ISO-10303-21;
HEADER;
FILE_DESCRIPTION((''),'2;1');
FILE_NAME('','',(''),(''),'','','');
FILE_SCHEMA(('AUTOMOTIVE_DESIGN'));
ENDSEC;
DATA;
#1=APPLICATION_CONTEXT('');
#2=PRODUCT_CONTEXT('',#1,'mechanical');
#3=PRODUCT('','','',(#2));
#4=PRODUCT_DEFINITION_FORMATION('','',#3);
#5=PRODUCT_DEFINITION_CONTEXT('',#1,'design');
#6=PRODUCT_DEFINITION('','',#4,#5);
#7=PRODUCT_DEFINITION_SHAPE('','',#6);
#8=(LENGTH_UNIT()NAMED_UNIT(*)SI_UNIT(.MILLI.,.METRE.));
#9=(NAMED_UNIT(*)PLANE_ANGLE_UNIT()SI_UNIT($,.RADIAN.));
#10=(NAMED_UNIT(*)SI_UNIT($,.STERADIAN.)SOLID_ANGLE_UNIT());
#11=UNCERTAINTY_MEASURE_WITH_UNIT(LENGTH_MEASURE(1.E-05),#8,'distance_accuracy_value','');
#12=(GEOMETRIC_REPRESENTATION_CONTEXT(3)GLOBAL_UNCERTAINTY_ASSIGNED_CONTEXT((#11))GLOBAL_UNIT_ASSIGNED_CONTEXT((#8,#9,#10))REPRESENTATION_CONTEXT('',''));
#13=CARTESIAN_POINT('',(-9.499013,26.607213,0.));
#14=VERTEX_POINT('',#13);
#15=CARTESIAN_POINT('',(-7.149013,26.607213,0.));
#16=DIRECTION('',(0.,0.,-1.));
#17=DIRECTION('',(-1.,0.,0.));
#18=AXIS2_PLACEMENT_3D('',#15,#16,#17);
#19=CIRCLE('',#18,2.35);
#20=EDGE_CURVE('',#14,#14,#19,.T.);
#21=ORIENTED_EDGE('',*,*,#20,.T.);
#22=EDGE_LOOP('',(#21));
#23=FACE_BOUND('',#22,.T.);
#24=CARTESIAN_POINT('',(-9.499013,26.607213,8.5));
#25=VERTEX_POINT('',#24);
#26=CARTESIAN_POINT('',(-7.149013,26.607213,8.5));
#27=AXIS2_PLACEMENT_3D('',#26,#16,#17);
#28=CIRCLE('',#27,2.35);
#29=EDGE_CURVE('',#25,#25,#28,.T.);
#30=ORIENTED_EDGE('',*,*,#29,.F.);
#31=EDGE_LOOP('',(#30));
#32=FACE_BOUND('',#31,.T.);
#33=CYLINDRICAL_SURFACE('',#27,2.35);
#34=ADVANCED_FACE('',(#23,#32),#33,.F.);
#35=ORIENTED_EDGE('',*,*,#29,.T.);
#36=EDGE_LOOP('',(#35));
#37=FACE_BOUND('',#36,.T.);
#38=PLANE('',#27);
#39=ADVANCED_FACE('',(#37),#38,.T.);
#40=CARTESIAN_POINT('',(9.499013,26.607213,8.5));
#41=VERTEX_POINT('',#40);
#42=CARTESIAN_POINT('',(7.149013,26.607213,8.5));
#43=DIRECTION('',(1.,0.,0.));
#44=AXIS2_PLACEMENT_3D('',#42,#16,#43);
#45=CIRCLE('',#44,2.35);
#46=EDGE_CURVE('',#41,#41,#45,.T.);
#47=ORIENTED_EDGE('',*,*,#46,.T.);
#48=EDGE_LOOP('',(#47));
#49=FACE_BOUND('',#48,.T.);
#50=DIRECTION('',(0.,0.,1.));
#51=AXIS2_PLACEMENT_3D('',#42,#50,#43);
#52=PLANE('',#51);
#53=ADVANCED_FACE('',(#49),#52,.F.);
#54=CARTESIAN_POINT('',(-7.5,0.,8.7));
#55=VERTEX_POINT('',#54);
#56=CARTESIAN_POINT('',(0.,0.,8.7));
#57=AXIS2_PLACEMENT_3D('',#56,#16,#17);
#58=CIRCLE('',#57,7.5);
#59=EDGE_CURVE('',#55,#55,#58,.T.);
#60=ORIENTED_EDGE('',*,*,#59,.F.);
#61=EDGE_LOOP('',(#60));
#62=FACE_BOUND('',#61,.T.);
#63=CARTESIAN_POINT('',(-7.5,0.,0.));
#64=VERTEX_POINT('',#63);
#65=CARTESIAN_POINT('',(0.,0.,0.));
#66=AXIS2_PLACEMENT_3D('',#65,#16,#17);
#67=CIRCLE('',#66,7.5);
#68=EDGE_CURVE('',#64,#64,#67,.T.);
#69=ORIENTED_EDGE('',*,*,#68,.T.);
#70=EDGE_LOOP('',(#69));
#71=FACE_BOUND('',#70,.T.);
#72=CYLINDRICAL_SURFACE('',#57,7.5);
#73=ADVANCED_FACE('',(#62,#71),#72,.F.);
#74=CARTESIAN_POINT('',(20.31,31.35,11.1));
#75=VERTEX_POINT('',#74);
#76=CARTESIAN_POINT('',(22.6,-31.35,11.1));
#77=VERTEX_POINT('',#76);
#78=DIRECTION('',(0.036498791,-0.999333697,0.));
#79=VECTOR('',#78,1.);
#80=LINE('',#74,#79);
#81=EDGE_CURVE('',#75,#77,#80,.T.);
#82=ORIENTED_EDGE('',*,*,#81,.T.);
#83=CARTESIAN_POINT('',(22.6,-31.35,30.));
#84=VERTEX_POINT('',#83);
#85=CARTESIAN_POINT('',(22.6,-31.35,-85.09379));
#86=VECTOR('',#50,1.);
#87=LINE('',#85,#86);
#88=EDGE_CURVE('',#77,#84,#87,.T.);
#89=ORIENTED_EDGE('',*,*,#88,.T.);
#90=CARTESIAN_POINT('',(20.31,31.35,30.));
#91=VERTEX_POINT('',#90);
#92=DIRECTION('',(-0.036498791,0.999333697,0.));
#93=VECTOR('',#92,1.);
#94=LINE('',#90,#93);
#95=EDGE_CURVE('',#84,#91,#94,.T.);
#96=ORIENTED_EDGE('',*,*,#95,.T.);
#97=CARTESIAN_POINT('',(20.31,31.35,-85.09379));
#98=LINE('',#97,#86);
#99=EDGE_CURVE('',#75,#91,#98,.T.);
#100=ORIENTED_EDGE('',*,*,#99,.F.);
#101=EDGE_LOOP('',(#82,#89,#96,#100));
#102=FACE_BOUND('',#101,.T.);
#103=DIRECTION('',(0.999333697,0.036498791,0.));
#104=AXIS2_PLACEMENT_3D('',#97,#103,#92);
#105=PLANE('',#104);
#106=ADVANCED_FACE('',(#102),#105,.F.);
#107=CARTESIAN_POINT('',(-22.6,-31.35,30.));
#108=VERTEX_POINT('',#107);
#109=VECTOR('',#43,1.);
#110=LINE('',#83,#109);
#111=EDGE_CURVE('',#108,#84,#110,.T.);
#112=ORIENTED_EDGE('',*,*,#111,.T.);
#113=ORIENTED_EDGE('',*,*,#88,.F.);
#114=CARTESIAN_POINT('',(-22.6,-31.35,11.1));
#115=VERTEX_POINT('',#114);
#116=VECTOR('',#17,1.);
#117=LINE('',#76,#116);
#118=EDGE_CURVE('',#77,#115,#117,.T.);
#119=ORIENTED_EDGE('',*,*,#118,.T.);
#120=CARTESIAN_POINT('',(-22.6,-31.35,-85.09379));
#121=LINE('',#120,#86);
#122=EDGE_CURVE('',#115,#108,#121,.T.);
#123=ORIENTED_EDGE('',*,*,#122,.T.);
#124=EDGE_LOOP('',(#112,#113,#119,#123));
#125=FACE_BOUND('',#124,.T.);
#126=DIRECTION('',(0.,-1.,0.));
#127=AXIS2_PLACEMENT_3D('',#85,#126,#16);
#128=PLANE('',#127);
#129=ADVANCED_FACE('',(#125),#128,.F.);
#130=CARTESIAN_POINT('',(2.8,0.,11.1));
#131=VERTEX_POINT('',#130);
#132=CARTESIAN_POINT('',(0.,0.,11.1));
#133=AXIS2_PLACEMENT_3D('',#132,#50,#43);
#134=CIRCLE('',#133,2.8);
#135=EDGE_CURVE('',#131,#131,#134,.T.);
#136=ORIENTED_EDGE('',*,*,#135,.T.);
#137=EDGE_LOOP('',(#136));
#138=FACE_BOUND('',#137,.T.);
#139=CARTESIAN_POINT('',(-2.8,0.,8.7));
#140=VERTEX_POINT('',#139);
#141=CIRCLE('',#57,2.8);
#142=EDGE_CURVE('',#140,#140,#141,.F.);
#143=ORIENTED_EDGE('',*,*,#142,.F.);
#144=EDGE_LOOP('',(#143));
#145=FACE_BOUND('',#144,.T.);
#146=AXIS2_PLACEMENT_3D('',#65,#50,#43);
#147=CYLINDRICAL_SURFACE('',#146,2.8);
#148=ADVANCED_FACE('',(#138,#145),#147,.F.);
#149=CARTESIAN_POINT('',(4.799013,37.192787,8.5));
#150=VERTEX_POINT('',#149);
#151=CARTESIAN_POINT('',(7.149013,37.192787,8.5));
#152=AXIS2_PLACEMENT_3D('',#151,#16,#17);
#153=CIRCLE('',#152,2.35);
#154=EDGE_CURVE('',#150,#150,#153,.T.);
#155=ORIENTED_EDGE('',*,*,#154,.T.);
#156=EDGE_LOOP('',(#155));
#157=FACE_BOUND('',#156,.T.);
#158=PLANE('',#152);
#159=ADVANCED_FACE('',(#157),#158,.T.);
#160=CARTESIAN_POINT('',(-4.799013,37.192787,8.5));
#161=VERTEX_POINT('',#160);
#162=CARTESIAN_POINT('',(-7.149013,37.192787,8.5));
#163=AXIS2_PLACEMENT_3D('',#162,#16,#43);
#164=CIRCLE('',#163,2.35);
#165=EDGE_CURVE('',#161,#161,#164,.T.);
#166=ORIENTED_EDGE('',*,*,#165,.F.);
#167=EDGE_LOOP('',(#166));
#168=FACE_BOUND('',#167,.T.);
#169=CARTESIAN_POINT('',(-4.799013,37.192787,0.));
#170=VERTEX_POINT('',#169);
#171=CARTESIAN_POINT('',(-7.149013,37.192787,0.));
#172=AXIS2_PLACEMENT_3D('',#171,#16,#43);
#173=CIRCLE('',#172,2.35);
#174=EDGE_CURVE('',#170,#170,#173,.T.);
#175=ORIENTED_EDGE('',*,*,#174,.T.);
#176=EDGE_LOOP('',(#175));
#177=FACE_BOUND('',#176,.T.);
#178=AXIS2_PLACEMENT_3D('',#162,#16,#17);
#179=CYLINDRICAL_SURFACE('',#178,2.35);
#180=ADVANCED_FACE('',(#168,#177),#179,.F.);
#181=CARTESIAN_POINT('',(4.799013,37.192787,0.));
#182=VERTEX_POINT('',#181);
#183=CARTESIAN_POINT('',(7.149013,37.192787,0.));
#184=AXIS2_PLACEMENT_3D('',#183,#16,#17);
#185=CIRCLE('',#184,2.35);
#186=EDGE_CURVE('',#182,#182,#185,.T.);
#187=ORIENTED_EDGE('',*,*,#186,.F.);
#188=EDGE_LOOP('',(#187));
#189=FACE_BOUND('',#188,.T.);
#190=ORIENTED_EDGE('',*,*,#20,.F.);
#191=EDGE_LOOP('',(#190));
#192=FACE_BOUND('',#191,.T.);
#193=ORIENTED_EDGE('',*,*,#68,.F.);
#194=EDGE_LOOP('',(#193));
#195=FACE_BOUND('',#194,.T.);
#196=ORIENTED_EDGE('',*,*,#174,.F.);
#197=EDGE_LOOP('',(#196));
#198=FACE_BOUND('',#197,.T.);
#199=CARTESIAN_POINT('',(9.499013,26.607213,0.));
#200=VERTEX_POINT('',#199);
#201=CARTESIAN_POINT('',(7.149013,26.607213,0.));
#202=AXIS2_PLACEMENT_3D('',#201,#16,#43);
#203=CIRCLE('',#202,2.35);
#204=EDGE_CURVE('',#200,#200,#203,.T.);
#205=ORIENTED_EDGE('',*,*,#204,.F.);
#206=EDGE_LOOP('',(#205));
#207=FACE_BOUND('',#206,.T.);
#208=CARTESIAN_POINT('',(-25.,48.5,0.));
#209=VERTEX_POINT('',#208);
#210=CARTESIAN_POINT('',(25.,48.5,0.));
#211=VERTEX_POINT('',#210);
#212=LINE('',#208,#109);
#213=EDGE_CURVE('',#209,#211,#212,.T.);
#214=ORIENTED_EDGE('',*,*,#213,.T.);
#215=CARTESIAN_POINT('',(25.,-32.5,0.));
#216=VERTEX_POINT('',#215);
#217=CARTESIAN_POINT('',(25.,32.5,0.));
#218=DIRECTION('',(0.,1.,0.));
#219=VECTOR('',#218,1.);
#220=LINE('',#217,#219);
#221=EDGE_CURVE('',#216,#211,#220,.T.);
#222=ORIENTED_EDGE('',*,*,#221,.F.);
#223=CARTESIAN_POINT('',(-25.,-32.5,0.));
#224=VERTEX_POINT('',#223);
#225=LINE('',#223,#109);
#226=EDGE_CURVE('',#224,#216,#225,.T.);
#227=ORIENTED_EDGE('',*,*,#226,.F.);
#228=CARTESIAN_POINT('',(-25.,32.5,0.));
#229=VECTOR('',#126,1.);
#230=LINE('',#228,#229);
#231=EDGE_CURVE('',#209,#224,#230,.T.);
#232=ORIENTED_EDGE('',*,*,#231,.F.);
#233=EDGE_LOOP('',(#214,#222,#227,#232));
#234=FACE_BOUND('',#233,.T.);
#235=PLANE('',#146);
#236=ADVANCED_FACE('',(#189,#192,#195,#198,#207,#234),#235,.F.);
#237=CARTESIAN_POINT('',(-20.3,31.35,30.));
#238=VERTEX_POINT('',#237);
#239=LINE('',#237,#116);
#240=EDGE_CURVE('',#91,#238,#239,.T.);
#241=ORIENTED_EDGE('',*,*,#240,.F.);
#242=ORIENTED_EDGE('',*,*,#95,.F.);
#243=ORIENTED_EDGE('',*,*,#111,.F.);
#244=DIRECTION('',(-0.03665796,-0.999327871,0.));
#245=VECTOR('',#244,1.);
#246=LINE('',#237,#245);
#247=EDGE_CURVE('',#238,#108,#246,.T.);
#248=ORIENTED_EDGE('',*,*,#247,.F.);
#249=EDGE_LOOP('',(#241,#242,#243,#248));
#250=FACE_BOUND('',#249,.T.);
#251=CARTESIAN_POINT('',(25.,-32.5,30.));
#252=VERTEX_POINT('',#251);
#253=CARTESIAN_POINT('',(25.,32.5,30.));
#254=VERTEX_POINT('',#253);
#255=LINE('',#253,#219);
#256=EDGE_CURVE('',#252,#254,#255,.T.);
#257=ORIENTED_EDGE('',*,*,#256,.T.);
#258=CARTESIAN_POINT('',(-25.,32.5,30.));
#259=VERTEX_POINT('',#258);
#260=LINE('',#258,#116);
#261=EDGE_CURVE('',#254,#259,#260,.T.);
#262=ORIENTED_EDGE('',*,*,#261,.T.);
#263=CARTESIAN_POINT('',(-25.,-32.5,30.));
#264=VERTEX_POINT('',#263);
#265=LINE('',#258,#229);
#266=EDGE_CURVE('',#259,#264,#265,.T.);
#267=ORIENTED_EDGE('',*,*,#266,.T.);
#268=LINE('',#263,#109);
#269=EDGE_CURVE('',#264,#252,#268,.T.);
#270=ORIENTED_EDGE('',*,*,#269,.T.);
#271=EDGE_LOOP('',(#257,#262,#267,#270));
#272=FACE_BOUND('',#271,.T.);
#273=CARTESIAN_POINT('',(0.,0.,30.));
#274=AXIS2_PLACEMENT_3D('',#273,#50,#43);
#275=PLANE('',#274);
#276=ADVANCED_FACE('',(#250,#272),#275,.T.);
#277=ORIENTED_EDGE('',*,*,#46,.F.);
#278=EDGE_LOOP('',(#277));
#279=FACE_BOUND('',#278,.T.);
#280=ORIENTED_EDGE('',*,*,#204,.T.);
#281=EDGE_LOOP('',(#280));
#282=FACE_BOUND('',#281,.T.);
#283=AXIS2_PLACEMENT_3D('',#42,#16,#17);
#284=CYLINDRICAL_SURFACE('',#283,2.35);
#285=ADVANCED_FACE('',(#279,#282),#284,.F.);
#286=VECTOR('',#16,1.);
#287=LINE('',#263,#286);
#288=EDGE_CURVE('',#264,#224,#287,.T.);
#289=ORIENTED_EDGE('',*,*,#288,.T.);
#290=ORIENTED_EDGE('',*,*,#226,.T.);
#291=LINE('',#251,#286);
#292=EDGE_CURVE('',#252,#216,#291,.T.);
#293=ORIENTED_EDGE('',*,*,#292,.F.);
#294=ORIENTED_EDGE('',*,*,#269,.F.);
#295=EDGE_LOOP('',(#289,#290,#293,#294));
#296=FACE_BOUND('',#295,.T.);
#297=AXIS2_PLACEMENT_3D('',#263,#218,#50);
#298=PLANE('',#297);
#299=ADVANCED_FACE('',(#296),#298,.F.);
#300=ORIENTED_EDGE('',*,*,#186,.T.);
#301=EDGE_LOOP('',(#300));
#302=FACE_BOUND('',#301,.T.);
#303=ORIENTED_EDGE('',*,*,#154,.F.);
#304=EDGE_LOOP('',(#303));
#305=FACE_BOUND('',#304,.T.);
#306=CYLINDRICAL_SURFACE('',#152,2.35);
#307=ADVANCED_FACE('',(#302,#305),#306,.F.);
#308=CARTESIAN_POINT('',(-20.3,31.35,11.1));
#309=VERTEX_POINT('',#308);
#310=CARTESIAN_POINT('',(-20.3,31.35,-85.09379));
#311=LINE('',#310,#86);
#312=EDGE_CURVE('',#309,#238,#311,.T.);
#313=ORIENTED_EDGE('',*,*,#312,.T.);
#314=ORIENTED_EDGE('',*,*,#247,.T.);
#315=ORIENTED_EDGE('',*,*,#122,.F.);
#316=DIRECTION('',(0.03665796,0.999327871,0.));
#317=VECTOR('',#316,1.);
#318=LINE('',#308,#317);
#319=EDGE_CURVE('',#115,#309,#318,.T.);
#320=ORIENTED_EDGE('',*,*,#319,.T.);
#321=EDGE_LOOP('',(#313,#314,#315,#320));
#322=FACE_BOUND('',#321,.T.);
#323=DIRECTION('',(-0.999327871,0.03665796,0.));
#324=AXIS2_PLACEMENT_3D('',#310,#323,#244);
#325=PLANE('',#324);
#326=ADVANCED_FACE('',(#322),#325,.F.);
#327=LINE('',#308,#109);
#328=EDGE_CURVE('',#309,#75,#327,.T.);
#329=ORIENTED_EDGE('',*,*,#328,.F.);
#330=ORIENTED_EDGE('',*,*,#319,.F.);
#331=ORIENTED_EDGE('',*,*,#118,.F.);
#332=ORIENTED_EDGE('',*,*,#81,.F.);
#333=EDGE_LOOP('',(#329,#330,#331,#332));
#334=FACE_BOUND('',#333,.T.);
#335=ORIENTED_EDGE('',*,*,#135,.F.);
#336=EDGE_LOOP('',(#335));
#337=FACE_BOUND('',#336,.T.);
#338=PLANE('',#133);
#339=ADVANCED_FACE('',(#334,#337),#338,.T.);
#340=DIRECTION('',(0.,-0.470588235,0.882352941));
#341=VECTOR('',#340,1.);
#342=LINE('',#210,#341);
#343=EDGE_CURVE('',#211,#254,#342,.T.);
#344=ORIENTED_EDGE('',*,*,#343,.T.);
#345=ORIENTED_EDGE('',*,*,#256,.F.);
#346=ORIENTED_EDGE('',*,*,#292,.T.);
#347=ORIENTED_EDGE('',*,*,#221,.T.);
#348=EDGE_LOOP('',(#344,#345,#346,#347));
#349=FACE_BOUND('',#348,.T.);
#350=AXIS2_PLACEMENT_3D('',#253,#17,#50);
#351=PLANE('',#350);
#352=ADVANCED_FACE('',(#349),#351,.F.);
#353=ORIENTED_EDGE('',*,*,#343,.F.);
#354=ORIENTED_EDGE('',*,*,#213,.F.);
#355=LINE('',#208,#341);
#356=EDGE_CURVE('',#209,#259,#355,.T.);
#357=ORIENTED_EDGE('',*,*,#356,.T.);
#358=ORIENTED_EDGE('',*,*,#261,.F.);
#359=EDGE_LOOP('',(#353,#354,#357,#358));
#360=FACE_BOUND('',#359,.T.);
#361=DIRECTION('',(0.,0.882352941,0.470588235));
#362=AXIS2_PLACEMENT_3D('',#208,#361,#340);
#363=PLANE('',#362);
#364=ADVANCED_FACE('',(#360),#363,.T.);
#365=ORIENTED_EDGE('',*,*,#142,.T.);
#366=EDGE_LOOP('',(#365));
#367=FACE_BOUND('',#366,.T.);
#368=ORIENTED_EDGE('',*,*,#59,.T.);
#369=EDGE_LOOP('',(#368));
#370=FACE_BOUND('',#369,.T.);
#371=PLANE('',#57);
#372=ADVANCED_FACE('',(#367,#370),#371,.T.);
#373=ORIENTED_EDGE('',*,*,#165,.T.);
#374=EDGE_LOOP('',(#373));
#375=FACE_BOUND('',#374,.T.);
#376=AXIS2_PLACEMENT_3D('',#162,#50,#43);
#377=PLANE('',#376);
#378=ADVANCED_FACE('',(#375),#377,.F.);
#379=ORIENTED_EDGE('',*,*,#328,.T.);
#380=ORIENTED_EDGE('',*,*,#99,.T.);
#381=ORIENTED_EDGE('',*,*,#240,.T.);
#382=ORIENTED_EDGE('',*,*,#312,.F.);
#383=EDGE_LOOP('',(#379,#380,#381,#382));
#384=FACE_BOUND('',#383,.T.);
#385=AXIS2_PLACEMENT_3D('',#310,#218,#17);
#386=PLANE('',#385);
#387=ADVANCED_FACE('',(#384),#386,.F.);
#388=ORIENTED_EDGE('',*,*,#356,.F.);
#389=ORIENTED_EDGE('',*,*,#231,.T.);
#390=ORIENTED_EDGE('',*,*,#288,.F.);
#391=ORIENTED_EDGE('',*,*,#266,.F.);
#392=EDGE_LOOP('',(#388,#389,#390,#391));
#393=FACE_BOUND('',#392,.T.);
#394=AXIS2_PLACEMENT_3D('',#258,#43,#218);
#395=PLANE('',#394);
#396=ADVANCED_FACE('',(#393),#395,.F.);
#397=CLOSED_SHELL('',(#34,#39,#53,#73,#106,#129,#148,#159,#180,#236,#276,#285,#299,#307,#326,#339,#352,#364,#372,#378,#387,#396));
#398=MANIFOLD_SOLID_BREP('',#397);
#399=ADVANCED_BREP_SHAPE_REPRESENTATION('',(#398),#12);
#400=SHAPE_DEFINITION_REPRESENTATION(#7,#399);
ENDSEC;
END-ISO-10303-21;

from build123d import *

# Parameters (mm, degrees)
SKICA1_W                 = 50
SKICA1_H                 = 65
P_IDAT_VYSUNUT_M1_DEPTH  = 30
P_IDAT_VYSUNUT_M2_DEPTH  = 50
ODEBRAT_VYSUNUT_M1_DEPTH = 18.9
SKICA6_R                 = 2.8
ODEBRAT_VYSUNUT_M2_DEPTH = 58.744783314
SKICA7_R                 = 7.5
ODEBRAT_VYSUNUT_M3_DEPTH = 8.7
SKICA8_R                 = 2.35
ODEBRAT_VYSUNUT_M4_DEPTH = 8.5


with BuildPart() as part:
    # Skica1 → Přidat vysunutím1 (new body)
    with BuildSketch(Plane.XY):
        Rectangle(SKICA1_W, SKICA1_H)
    extrude(amount=P_IDAT_VYSUNUT_M1_DEPTH)

    # Skica3 → Přidat vysunutím2 (add, through all)
    with BuildSketch(Plane(origin=(25, 0, 0), x_dir=(0, 0, -1), z_dir=(1, 0, 0))):
        Polygon((0, 32.5), (0, 48.5), (-30, 32.5), align=None)
    extrude(amount=-P_IDAT_VYSUNUT_M2_DEPTH)

    # Skica5 → Odebrat vysunutím1 (cut)
    with BuildSketch(Plane.XY.offset(30)):
        Polygon((-20.3, 31.35), (20.31, 31.35), (22.6, -31.35), (-22.6, -31.35), align=None)
    extrude(amount=-ODEBRAT_VYSUNUT_M1_DEPTH, mode=Mode.SUBTRACT)

    # Skica6 → Odebrat vysunutím2 (cut, through all)
    with BuildSketch(Plane.XY.offset(11.1)):
        Circle(SKICA6_R)
    extrude(amount=-ODEBRAT_VYSUNUT_M2_DEPTH, mode=Mode.SUBTRACT)

    # Skica7 → Odebrat vysunutím3 (cut)
    with BuildSketch(Plane(origin=(0, 0, 0), x_dir=(-1, 0, 0), z_dir=(0, 0, -1))):
        Circle(SKICA7_R)
    extrude(amount=-ODEBRAT_VYSUNUT_M3_DEPTH, mode=Mode.SUBTRACT)

    # Skica8 → Odebrat vysunutím4 (cut)
    with BuildSketch(Plane(origin=(0, 0, 0), x_dir=(-1, 0, 0), z_dir=(0, 0, -1))):
        with Locations((7.14901322, 26.607213292)):
            Circle(SKICA8_R)
        with Locations(Location((-7.14901322, 26.607213292, 0), (0, 0, 180))):
            Circle(SKICA8_R)
        with Locations(Location((7.14901322, 37.192786708, 0), (0, 0, 180))):
            Circle(SKICA8_R)
        with Locations((-7.14901322, 37.192786708)):
            Circle(SKICA8_R)
    extrude(amount=-ODEBRAT_VYSUNUT_M4_DEPTH, mode=Mode.SUBTRACT)


solid = part.part
